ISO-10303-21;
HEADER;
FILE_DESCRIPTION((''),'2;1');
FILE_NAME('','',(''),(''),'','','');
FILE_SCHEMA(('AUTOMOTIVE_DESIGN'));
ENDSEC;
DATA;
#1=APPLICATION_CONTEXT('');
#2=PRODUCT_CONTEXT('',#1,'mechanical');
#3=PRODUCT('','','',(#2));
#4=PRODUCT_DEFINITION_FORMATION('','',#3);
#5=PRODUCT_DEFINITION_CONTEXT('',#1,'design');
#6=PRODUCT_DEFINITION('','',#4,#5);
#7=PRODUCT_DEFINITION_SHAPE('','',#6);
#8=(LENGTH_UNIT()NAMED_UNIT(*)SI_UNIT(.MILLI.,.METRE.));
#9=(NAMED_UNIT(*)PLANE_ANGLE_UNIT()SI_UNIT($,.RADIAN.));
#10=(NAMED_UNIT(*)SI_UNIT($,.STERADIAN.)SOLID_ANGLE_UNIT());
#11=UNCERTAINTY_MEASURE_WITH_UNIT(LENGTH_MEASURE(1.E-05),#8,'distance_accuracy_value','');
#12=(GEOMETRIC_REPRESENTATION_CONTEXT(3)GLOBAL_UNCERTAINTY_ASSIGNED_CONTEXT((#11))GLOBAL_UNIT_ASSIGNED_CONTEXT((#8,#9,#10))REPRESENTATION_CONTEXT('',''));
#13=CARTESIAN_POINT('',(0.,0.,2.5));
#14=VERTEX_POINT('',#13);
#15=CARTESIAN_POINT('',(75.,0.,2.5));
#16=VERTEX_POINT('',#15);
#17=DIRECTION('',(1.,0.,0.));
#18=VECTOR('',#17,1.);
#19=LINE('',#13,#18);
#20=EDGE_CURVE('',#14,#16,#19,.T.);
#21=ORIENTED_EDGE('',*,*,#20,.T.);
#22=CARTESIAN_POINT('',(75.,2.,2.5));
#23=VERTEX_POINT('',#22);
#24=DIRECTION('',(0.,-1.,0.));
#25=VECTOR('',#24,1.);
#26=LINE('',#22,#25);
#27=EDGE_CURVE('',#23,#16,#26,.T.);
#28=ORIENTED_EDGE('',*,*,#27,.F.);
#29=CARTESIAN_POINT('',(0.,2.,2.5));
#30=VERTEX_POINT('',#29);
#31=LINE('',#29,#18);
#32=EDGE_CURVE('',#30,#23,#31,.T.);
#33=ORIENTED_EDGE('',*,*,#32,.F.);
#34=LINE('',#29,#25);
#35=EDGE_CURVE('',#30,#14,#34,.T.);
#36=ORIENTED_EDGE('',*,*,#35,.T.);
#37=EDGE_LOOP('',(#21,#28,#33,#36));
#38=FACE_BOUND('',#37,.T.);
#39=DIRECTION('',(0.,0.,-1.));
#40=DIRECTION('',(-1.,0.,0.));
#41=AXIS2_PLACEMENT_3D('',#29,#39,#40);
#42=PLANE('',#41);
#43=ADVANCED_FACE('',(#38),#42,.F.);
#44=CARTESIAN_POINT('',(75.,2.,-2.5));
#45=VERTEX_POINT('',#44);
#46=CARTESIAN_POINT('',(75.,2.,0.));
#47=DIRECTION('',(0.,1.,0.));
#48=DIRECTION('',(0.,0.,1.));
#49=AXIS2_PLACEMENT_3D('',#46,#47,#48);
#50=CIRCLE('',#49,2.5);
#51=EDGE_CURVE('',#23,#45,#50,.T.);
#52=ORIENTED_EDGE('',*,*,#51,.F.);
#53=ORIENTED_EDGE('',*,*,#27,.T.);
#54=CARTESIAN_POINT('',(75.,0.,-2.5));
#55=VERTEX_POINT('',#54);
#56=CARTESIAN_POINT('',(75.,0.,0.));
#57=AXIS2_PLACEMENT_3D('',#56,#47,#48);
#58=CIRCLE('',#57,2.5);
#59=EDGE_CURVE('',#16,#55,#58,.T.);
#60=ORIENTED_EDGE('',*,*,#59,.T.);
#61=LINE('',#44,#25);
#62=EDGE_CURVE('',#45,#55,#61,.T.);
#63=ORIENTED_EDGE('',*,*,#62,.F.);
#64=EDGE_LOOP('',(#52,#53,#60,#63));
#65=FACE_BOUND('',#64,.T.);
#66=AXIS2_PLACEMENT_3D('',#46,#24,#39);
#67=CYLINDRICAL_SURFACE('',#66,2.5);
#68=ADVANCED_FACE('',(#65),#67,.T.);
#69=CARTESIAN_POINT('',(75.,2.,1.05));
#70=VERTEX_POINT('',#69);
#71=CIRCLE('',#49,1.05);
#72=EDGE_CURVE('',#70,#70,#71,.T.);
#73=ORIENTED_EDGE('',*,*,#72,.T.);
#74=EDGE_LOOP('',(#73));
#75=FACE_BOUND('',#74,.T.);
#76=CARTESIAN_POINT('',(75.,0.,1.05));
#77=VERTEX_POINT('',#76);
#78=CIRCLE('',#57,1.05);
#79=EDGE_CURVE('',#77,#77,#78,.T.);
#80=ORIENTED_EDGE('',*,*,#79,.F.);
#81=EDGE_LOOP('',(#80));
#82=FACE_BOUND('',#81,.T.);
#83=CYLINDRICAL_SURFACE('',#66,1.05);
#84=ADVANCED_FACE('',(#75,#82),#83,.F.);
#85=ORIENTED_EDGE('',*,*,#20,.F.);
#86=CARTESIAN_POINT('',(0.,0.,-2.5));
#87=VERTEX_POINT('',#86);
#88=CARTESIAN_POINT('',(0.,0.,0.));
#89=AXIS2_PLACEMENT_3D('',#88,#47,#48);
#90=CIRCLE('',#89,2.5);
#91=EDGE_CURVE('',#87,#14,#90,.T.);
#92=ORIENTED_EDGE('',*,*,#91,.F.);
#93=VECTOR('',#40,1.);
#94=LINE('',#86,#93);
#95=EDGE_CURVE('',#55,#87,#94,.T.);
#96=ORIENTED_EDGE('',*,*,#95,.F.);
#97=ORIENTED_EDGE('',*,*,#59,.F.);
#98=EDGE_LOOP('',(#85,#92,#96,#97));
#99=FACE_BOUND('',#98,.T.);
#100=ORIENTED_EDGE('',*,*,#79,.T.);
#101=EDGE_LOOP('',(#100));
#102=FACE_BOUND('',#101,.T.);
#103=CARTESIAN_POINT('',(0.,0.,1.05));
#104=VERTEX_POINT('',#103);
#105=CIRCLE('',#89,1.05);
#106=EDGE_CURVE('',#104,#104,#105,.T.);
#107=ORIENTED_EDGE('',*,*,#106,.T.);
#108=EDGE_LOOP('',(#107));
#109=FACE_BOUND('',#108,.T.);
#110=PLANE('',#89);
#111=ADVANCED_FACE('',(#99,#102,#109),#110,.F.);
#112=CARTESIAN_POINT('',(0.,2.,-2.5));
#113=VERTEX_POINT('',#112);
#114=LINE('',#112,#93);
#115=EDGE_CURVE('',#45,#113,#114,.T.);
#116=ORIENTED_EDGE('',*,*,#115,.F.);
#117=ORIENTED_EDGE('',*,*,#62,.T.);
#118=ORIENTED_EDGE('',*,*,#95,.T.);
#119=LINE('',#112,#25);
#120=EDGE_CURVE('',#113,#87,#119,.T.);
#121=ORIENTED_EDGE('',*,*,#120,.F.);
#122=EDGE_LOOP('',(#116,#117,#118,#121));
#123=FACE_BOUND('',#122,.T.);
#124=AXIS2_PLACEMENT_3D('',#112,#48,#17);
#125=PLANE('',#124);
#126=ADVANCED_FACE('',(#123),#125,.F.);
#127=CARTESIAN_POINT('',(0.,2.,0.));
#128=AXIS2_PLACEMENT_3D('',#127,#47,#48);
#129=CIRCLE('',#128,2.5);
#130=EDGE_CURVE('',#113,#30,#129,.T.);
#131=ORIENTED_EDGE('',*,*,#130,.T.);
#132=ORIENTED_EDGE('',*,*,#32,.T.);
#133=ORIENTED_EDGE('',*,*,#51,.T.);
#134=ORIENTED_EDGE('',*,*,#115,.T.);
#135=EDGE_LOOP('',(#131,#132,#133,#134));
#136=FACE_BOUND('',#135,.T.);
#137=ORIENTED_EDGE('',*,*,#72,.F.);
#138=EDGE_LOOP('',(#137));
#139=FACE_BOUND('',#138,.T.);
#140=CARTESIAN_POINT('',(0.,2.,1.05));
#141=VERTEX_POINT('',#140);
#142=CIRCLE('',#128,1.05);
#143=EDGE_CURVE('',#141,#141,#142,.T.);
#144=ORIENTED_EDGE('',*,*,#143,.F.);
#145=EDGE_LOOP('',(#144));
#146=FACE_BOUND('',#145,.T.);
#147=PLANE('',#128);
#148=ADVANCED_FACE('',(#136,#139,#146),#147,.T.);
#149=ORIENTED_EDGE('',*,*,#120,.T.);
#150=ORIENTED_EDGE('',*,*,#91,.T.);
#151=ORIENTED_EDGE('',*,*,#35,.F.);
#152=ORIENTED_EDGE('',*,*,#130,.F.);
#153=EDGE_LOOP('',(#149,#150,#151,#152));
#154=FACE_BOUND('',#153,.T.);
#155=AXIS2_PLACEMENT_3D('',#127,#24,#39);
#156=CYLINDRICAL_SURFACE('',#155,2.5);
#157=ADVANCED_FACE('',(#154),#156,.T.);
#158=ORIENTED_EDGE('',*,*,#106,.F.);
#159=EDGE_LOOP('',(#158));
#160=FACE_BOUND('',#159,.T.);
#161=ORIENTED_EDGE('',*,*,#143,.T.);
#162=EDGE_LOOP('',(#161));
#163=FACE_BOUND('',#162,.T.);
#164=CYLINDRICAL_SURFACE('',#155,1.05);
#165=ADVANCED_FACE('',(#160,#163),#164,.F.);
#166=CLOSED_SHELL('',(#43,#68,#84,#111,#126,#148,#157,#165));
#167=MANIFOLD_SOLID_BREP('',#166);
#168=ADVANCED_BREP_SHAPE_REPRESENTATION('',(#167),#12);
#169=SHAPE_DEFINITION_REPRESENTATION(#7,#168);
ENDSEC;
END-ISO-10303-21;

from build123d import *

# Parameters (mm, degrees)
SKETCH1_R           = 1.05
BOSS_EXTRUDE1_DEPTH = 2


with BuildPart() as part:
    # Sketch1 → Boss-Extrude1 (new body)
    with BuildSketch(Plane(origin=(0, 0, 0), x_dir=(1, 0, 0), z_dir=(0, 1, 0))):
        with BuildLine():
            Line((0, 2.5), (75, 2.5))
            ThreePointArc((75, 2.5), (77.5, 0), (75, -2.5))
            Line((75, -2.5), (0, -2.5))
            ThreePointArc((0, -2.5), (-2.5, 0), (0, 2.5))
        make_face()
        with Locations(Location((0, 0, 0), (0, 0, 270))):
            Circle(SKETCH1_R, mode=Mode.SUBTRACT)
        with Locations(Location((75, 0, 0), (0, 0, 270))):
            Circle(SKETCH1_R, mode=Mode.SUBTRACT)
    extrude(amount=BOSS_EXTRUDE1_DEPTH)


solid = part.part
